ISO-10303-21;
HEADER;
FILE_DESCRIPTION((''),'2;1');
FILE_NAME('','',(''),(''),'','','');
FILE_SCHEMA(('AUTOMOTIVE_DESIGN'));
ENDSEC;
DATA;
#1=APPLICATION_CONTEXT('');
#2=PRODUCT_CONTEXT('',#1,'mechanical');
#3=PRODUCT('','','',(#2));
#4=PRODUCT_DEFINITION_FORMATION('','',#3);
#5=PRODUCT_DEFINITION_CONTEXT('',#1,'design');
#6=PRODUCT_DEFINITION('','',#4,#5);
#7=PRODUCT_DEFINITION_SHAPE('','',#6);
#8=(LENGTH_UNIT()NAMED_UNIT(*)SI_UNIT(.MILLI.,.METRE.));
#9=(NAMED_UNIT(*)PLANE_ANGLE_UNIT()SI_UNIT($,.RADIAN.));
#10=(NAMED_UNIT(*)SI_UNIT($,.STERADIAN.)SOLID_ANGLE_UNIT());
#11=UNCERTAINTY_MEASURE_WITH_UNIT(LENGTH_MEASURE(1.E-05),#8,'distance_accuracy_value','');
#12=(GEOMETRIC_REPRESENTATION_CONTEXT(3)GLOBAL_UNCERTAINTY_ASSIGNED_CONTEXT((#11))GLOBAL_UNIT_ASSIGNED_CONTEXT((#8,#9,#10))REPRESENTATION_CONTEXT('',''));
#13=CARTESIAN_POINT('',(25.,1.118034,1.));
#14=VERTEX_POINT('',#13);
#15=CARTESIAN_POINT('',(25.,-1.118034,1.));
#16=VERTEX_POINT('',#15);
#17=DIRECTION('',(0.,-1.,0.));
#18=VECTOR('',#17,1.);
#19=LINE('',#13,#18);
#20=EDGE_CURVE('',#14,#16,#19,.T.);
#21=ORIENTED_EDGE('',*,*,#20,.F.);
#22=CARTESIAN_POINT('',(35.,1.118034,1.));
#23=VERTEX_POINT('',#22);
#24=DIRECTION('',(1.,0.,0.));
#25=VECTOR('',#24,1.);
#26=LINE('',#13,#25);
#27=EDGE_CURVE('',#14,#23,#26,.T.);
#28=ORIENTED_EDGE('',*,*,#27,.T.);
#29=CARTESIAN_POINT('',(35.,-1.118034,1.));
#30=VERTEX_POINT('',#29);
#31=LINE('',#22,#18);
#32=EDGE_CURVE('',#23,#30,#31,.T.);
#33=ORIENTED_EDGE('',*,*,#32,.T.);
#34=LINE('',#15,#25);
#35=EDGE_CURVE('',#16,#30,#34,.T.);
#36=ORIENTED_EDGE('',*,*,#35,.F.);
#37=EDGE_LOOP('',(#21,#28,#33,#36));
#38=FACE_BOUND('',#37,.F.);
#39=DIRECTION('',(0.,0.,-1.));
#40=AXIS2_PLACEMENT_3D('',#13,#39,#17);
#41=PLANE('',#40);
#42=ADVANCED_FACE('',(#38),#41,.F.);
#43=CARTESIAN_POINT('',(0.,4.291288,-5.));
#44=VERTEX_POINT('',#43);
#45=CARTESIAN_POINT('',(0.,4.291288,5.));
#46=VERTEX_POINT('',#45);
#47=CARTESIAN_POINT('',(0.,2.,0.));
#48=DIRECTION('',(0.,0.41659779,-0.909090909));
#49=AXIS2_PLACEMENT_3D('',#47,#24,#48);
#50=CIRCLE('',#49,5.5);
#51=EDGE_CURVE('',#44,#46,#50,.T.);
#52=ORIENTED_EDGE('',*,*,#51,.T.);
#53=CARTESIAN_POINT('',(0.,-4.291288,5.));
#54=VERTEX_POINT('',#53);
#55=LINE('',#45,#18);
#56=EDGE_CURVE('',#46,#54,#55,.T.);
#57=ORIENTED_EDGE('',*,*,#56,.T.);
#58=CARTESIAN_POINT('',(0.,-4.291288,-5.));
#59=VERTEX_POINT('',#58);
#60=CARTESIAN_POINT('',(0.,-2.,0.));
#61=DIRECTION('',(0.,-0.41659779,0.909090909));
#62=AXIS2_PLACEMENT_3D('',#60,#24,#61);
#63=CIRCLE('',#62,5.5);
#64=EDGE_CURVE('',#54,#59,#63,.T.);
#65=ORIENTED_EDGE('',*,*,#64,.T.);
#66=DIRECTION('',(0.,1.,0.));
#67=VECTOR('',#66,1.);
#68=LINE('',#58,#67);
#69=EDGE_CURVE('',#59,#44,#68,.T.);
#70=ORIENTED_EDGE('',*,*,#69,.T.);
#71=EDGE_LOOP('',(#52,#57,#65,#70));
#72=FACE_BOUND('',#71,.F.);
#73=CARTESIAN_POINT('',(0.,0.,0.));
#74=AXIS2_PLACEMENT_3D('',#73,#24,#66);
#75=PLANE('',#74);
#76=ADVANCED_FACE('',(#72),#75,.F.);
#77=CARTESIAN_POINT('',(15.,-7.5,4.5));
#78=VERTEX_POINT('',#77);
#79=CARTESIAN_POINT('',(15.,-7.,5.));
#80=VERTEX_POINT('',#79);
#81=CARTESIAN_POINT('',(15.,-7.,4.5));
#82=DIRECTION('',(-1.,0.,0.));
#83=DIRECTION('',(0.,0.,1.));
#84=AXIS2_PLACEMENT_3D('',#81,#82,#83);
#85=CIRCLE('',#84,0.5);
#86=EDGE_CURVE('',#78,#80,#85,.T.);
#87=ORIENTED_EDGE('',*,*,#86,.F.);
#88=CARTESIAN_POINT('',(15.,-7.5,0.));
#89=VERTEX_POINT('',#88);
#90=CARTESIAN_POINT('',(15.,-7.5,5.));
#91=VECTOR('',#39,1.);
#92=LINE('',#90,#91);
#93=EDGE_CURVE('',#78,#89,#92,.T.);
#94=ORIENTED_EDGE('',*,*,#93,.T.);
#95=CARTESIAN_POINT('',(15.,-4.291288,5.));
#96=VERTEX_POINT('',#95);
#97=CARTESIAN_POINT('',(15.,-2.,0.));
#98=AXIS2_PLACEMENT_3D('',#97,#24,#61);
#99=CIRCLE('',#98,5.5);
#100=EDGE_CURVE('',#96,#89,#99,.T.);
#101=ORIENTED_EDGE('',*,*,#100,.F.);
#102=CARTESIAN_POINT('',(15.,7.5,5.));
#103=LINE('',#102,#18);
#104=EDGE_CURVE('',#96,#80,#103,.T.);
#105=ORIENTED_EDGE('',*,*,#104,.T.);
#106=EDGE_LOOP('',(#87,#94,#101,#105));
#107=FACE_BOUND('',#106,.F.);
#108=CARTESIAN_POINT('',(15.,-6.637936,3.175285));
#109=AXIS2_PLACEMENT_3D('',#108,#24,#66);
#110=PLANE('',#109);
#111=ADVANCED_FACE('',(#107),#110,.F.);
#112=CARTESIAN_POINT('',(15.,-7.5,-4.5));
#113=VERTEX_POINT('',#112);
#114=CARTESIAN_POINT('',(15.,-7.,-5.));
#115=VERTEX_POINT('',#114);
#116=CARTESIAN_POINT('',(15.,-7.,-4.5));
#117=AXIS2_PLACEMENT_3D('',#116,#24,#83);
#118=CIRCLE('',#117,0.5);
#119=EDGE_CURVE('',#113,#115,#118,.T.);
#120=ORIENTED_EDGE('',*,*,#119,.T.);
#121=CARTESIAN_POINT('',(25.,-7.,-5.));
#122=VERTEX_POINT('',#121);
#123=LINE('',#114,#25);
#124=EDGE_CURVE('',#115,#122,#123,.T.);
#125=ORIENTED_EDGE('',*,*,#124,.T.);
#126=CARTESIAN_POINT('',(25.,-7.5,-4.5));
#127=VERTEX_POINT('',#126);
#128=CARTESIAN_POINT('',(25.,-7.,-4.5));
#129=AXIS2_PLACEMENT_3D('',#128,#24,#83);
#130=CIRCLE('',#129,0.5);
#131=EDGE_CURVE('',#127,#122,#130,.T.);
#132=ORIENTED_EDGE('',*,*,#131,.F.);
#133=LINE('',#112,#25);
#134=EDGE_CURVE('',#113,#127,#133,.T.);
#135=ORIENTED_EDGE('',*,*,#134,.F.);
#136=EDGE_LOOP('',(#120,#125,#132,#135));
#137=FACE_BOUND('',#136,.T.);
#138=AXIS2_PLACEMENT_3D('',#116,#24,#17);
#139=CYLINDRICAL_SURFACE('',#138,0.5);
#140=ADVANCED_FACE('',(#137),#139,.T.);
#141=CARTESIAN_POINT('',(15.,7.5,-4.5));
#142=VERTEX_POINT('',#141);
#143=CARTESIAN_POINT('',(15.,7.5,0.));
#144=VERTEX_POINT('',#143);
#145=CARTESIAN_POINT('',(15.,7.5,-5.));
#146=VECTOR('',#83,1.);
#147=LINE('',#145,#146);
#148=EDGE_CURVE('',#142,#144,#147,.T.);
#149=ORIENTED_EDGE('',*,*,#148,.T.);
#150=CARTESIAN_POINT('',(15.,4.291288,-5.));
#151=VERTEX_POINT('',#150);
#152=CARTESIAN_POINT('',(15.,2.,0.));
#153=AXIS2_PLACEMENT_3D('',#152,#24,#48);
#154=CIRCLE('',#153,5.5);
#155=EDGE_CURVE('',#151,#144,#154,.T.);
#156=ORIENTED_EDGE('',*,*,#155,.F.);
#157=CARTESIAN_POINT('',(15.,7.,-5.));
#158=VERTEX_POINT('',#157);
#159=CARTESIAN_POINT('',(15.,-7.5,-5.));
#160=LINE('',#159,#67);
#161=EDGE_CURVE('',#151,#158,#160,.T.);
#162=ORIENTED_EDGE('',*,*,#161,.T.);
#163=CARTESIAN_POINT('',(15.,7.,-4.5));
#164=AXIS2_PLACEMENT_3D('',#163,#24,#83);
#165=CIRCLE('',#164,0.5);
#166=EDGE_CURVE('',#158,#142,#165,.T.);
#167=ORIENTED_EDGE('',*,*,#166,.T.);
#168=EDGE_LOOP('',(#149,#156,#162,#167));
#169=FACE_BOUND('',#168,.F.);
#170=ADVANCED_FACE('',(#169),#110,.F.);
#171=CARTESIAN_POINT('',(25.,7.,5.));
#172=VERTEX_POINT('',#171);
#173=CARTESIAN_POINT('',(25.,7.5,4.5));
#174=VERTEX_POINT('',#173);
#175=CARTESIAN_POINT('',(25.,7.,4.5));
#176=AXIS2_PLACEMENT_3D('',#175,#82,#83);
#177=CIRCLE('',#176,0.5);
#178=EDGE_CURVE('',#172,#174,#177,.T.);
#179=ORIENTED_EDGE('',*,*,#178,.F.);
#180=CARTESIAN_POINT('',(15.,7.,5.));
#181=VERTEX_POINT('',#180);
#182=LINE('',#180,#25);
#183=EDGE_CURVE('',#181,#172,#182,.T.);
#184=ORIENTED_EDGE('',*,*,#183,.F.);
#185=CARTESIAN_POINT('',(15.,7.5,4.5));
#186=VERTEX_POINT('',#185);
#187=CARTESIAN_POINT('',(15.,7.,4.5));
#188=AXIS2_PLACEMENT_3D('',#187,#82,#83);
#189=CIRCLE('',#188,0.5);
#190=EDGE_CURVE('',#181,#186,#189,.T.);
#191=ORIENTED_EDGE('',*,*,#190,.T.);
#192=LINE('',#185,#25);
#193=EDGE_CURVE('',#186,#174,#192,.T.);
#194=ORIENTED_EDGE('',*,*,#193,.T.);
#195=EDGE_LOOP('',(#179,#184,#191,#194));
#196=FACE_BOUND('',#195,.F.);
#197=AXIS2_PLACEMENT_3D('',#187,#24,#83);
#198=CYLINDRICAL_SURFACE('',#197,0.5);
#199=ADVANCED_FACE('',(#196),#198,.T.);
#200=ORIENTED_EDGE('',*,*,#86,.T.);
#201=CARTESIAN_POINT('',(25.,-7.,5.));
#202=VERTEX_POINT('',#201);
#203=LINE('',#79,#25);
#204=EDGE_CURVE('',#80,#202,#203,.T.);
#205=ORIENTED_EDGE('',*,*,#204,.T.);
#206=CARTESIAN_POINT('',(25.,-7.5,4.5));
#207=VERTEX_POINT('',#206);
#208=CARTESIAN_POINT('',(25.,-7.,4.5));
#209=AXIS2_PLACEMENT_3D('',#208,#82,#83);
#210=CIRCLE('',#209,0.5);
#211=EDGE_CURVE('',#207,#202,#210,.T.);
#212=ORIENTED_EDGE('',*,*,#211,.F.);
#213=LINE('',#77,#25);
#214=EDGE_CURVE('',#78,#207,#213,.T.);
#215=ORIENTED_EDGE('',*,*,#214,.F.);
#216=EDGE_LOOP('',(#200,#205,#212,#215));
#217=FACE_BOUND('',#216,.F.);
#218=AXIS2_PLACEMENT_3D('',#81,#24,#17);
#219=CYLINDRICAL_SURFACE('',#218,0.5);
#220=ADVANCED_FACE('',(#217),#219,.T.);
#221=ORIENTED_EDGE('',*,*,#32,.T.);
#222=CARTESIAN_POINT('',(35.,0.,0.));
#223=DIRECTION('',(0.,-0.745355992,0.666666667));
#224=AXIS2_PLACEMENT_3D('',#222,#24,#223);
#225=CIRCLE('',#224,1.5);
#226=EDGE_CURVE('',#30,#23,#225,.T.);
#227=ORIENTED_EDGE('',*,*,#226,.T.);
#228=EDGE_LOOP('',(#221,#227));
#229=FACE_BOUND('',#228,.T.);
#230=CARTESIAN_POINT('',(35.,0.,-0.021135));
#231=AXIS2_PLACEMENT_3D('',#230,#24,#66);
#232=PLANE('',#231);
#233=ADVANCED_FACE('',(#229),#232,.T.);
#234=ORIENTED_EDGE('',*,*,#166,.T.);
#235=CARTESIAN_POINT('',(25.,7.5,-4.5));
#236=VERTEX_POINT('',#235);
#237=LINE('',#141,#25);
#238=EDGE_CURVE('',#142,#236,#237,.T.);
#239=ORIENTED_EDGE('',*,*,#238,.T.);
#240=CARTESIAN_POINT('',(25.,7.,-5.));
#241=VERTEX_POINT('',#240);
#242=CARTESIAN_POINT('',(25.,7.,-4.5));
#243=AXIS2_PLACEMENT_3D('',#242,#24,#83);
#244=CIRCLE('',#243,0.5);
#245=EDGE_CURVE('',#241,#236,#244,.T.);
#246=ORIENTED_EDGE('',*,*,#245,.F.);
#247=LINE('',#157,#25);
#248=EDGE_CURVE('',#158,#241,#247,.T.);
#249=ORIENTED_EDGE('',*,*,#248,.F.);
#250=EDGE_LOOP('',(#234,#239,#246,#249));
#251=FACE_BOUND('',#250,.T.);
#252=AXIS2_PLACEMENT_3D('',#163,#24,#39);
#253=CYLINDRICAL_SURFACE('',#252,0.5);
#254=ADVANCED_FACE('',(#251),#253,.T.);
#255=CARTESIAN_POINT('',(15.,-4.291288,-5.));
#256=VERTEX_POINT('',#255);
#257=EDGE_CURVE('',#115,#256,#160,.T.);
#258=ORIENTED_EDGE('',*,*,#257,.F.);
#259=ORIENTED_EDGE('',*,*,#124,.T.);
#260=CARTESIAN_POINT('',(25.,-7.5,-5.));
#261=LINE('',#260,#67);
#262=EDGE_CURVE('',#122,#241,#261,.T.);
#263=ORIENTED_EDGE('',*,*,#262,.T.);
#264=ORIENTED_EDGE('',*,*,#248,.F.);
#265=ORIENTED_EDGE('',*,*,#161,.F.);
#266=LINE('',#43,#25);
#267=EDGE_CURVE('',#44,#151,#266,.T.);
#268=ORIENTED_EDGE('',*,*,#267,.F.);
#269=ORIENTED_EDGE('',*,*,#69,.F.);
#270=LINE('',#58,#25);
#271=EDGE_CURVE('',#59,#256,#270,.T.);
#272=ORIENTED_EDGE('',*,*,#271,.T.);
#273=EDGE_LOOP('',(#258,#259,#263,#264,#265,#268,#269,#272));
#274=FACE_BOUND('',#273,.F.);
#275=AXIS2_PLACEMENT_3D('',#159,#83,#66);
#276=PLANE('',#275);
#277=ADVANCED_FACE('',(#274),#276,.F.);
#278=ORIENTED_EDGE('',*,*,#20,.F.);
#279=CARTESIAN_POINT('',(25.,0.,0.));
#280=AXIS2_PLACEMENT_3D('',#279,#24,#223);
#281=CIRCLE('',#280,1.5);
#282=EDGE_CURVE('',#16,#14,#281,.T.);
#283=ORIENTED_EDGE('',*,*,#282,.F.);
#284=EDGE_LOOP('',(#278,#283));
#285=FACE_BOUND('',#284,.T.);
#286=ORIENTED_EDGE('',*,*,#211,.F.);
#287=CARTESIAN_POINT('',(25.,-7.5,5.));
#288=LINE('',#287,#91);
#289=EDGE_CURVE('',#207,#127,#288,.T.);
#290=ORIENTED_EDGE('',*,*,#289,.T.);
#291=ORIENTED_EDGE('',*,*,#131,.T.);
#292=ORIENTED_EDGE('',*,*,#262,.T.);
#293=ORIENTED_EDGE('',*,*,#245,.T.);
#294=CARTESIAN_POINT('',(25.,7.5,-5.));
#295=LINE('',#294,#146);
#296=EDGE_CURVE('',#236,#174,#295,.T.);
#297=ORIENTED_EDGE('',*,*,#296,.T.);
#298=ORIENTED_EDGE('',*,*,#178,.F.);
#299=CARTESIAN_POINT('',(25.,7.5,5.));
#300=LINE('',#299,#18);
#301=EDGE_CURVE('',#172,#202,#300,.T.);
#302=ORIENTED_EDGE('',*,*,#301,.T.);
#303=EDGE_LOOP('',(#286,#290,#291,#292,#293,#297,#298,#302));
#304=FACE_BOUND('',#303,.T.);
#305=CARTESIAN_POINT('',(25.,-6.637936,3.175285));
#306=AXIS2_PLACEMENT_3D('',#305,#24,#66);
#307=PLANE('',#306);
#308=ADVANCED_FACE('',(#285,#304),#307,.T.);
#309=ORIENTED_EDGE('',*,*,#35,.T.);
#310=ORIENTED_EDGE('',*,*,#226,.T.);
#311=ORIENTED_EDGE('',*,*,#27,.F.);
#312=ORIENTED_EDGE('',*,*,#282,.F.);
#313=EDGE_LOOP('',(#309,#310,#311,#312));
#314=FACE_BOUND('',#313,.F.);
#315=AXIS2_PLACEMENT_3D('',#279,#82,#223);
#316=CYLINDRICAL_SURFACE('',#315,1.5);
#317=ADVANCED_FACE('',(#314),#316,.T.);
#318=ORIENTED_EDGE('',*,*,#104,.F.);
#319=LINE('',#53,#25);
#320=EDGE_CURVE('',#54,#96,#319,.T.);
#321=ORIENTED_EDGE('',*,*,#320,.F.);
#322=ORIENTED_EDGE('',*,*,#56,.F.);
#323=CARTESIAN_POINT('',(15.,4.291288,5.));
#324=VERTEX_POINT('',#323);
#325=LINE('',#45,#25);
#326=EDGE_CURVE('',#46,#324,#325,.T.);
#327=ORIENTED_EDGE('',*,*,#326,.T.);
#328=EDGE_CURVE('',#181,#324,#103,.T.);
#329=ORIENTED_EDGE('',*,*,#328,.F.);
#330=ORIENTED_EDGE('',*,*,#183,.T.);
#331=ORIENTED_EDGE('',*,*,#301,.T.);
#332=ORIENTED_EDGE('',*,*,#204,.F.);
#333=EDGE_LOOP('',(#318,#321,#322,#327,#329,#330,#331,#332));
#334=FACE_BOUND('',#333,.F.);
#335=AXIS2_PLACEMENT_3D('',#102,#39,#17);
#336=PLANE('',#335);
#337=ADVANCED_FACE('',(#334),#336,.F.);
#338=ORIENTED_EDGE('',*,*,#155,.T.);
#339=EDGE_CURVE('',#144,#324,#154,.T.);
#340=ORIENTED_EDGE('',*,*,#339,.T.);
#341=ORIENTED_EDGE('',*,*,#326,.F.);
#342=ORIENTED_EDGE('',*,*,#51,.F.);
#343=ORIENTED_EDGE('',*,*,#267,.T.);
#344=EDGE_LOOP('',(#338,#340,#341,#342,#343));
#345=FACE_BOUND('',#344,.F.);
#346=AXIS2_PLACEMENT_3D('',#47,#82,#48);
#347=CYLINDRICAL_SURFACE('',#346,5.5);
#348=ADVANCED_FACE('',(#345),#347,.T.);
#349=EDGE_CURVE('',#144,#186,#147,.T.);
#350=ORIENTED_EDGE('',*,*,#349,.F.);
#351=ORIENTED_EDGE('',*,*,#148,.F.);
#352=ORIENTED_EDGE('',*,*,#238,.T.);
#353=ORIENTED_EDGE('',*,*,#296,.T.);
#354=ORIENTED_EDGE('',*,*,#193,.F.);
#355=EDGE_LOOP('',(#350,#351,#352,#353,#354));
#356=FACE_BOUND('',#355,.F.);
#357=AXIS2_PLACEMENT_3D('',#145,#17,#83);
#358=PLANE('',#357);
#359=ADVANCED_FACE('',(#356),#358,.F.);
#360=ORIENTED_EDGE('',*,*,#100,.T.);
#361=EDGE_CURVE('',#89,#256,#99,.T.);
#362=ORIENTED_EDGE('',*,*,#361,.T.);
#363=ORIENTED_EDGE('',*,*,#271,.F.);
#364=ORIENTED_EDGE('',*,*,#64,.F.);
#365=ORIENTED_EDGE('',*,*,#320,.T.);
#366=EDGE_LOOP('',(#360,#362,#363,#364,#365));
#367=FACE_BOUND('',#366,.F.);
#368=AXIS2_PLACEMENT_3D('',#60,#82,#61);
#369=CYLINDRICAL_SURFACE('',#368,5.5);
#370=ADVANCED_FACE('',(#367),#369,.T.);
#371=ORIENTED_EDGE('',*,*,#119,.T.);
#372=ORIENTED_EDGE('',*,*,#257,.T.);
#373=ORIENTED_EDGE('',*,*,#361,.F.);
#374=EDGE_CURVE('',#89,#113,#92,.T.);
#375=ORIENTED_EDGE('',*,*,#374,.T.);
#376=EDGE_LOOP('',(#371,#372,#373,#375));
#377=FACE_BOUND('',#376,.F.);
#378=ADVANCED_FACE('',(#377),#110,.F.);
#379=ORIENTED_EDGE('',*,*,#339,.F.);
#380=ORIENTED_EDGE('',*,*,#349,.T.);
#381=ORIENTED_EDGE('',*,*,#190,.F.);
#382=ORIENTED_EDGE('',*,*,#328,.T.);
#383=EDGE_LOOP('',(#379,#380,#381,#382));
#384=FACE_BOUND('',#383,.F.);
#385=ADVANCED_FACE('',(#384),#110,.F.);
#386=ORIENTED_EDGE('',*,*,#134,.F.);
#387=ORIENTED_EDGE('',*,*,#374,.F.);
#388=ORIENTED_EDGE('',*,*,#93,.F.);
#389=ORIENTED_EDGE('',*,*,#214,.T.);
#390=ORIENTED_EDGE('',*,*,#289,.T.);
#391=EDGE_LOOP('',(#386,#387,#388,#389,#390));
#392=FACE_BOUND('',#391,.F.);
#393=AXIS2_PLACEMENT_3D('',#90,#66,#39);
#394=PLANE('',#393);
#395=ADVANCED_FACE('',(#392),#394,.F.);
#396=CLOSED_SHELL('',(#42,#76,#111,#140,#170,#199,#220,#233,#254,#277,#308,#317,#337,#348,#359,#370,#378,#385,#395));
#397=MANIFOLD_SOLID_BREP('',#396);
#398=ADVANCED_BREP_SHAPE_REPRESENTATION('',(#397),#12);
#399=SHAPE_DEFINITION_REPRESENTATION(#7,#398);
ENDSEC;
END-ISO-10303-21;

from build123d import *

# Parameters (mm, degrees)
F1_DEPTH = 15
F3_DEPTH = 10
F4_R     = 0.5
F6_DEPTH = 10


with BuildPart() as f1:
    # F0 (on Right) → F1 (new body)
    with BuildSketch(Plane.YZ):
        with BuildLine():
            Line((4.2912878475, 5), (-4.2912878475, 5))
            ThreePointArc((-4.2912878475, 5), (-7.5, 0), (-4.2912878475, -5))
            Line((-4.2912878475, -5), (4.2912878475, -5))
            ThreePointArc((4.2912878475, -5), (7.5, 0), (4.2912878475, 5))
        make_face()
    extrude(amount=F1_DEPTH)

    # F2 (on face) → F3 (join)
    with BuildSketch(Plane.YZ.offset(15)):
        with BuildLine():
            Line((-4.2912878475, 5), (-7.5, 5))
            Line((-7.5, 5), (-7.5, 0))
            ThreePointArc((-7.5, 0), (-6.628827236, 2.9705148408), (-4.2912878475, 5))
        make_face()
        with BuildLine():
            Line((7.5, 5), (4.2912878475, 5))
            ThreePointArc((4.2912878475, 5), (6.628827236, 2.9705148408), (7.5, 0))
            Line((7.5, 0), (7.5, 5))
        make_face()
        with BuildLine():
            Line((4.2912878475, 5), (-4.2912878475, 5))
            ThreePointArc((-4.2912878475, 5), (-6.628827236, 2.9705148408), (-7.5, 0))
            ThreePointArc((-7.5, 0), (-6.628827236, -2.9705148408), (-4.2912878475, -5))
            Line((-4.2912878475, -5), (4.2912878475, -5))
            ThreePointArc((4.2912878475, -5), (6.628827236, -2.9705148408), (7.5, 0))
            ThreePointArc((7.5, 0), (6.628827236, 2.9705148408), (4.2912878475, 5))
        make_face()
        with BuildLine():
            ThreePointArc((-4.2912878475, -5), (-6.628827236, -2.9705148408), (-7.5, 0))
            Line((-7.5, 0), (-7.5, -5))
            Line((-7.5, -5), (-4.2912878475, -5))
        make_face()
        with BuildLine():
            Line((7.5, -5), (7.5, 0))
            ThreePointArc((7.5, 0), (6.628827236, -2.9705148408), (4.2912878475, -5))
            Line((4.2912878475, -5), (7.5, -5))
        make_face()
    extrude(amount=F3_DEPTH)

    # F4
    f4_edges = [f1.edges().sort_by_distance(p)[0] for p in [
        (20, -7.5, 5),
        (20, 7.5, 5),
        (20, -7.5, -5),
        (20, 7.5, -5),
    ]]
    fillet(f4_edges, radius=F4_R)

    # F5 (on face) → F6 (join)
    with BuildSketch(Plane.YZ.offset(25)):
        with BuildLine():
            Line((1.1180339887, 1), (-1.1180339887, 1))
            ThreePointArc((-1.1180339887, 1), (0, -1.5), (1.1180339887, 1))
        make_face()
    extrude(amount=F6_DEPTH)


solid = f1.part
